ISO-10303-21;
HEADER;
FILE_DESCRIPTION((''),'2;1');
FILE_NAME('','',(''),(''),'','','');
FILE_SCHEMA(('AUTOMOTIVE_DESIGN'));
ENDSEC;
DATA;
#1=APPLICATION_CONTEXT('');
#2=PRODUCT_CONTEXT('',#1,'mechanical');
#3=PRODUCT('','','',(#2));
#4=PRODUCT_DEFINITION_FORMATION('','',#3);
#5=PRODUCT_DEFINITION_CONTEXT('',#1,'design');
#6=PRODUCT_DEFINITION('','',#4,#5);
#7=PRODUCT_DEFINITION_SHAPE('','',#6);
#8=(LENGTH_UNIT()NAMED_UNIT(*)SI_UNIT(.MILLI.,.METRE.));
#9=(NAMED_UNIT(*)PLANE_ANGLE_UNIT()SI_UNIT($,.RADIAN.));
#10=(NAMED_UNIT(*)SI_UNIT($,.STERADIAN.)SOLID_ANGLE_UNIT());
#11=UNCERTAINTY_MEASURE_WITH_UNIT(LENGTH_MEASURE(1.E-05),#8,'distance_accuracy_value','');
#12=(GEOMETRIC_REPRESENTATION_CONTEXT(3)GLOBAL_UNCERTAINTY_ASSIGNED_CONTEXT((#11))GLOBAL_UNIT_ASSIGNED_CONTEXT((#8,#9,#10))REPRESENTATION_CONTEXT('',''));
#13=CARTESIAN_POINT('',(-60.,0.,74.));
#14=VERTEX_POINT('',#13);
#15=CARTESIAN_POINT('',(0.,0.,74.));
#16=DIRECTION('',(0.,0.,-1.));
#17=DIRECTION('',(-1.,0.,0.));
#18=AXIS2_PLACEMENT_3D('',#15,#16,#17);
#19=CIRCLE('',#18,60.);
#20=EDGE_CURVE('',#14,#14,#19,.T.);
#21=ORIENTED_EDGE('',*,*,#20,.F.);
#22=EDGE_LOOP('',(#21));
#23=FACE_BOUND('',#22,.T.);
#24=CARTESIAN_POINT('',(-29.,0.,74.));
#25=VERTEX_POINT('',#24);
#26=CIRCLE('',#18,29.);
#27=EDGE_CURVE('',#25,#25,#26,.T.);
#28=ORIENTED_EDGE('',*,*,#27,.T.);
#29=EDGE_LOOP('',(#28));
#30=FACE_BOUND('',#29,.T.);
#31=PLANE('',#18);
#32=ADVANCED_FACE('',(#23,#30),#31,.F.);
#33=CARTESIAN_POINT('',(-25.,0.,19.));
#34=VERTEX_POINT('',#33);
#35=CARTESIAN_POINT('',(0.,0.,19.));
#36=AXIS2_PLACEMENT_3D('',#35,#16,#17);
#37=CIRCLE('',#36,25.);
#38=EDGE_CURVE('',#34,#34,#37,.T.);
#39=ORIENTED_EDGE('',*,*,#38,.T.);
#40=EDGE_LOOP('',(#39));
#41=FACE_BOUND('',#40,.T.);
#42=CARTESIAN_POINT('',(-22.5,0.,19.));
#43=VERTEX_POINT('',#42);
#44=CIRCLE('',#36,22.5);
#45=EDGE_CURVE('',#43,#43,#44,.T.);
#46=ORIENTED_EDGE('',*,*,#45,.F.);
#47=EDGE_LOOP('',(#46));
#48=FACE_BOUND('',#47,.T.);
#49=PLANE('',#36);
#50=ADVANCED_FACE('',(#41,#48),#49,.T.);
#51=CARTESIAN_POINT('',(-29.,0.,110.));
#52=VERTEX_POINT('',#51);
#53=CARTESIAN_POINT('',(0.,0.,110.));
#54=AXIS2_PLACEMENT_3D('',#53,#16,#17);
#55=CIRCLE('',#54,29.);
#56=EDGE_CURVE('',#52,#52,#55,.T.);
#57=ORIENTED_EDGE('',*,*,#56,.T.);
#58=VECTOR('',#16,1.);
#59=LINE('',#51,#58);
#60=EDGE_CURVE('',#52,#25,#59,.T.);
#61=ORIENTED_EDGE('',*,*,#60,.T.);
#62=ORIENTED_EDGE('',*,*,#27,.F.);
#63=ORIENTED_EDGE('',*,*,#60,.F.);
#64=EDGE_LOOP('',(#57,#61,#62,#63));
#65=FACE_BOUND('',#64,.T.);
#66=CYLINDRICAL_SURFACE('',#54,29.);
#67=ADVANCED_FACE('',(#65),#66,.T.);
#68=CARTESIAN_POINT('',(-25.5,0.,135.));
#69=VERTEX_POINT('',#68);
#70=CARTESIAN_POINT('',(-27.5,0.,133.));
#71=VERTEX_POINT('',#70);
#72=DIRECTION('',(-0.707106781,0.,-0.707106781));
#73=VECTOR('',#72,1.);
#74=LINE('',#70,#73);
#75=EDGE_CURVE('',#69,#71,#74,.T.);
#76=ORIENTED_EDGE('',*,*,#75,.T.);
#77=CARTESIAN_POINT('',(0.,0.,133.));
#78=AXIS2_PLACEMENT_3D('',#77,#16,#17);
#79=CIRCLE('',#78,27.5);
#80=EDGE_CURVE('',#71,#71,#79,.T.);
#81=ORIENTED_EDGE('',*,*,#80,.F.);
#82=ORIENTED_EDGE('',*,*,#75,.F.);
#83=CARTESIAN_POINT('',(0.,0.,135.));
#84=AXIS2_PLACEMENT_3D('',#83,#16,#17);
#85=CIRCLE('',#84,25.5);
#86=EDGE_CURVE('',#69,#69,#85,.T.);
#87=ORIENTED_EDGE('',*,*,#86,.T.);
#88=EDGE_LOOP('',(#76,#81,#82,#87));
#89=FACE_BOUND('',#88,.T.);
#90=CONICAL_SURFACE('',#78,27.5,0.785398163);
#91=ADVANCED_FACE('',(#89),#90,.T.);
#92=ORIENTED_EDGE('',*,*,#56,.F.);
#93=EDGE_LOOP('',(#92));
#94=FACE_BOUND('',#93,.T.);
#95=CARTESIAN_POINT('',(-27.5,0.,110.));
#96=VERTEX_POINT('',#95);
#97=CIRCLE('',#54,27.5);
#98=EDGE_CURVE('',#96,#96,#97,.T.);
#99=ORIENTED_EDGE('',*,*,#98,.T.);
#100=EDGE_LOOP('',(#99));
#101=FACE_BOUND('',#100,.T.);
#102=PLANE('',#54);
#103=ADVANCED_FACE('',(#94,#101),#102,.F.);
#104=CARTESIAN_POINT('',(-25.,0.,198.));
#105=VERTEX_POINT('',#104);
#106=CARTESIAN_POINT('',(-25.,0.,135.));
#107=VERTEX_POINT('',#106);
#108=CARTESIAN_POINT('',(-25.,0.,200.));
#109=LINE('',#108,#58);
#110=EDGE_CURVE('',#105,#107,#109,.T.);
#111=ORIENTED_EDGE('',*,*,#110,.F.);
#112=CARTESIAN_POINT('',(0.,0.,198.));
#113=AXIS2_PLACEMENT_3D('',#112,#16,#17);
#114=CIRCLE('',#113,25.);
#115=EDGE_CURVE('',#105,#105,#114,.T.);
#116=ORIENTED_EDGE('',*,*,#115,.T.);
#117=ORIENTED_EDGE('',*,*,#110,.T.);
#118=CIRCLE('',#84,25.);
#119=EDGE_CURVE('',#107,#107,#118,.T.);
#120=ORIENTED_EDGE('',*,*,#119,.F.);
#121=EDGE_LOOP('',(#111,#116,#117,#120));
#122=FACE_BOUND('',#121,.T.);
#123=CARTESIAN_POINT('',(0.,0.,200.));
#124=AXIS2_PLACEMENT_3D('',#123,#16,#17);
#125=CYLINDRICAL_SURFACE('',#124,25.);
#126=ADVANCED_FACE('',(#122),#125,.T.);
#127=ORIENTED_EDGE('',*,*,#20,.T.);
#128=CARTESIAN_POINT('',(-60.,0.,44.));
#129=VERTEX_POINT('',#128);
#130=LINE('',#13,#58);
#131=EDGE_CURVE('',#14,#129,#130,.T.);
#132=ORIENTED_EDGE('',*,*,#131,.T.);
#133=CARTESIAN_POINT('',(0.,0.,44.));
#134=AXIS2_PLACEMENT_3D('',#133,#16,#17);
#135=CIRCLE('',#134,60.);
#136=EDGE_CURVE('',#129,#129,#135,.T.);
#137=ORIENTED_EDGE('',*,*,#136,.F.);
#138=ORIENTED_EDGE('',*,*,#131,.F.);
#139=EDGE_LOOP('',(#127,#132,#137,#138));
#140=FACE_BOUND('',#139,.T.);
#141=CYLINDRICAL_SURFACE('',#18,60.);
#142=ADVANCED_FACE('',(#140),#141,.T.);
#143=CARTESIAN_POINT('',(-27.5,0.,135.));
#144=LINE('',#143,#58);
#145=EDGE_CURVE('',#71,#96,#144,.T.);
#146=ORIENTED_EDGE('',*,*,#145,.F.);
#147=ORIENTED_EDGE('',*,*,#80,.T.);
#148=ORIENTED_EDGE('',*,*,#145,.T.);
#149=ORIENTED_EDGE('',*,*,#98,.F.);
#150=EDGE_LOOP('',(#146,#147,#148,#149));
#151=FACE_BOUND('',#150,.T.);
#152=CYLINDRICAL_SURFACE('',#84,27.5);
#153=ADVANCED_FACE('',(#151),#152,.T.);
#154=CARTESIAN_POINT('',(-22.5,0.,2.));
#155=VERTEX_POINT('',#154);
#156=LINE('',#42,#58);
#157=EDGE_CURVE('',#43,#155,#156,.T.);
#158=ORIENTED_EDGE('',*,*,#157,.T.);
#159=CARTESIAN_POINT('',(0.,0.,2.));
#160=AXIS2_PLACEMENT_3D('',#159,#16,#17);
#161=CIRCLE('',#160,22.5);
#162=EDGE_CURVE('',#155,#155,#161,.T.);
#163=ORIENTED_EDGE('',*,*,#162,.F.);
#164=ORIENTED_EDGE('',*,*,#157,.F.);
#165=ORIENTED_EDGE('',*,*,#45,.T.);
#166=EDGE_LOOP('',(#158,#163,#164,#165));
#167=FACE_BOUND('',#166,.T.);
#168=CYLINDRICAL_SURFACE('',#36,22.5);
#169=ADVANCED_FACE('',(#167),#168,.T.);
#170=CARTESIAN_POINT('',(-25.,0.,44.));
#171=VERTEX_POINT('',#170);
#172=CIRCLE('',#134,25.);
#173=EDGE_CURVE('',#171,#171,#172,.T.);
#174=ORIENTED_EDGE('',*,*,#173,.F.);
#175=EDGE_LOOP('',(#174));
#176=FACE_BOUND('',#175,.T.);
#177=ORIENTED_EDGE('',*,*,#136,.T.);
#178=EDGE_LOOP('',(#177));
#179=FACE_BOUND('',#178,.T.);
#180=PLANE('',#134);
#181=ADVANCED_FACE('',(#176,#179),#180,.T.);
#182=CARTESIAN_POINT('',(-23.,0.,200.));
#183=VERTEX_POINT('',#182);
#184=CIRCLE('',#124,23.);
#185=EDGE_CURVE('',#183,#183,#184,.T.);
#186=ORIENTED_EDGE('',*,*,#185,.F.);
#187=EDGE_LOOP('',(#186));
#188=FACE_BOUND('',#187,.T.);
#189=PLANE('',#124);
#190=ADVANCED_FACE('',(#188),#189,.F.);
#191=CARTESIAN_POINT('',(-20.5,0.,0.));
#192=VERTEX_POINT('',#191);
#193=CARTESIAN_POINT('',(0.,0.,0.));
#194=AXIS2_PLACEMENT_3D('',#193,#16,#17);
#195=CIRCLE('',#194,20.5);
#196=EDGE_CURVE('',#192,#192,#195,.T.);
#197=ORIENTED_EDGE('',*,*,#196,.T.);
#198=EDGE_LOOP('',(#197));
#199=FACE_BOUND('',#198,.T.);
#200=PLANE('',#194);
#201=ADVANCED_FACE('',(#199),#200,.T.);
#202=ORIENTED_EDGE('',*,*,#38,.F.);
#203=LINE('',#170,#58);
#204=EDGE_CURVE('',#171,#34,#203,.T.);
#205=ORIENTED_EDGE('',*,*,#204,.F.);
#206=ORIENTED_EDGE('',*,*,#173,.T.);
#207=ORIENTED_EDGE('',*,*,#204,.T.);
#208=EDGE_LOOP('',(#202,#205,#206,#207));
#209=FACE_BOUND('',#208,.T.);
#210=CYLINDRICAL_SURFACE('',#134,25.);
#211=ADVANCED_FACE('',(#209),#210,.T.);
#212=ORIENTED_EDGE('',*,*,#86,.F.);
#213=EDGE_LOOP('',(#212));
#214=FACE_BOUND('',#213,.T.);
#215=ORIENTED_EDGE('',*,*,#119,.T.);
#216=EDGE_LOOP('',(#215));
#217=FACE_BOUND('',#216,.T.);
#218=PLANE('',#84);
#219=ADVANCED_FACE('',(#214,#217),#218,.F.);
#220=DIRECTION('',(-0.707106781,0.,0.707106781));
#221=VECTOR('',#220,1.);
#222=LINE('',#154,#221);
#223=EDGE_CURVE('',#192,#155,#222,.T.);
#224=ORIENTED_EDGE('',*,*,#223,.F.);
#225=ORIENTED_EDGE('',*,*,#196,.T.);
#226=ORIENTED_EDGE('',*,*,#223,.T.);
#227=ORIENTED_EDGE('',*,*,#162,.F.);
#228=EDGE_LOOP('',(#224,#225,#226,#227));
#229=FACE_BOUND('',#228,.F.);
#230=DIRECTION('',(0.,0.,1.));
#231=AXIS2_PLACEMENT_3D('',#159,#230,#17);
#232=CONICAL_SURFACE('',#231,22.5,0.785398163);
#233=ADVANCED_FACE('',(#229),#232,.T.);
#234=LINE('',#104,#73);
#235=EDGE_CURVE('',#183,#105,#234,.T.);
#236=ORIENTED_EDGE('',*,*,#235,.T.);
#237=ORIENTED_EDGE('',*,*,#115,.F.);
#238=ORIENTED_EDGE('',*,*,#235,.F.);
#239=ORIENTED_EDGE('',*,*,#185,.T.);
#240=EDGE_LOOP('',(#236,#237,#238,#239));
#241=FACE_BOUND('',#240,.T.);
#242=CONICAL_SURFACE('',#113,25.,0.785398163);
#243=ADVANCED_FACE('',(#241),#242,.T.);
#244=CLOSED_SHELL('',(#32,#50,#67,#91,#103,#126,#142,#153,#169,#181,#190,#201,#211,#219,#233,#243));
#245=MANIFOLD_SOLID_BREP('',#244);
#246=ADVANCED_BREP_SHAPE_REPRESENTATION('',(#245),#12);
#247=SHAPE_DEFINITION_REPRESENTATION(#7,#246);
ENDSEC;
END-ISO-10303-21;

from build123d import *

# Parameters (mm, degrees)
F2_SIZE = 2


with BuildPart() as f1:
    # F0 (on Front) → F1 (revolve)
    with BuildSketch(Plane.XZ):
        Polygon((-22.5, 0), (0, 0), (0, 200), (-25, 200), (-25, 135), (-27.5, 135), (-27.5, 110), (-29, 110), (-29, 74), (-60, 74), (-60, 44), (-25, 44), (-25, 19), (-22.5, 19), align=None)
    revolve(axis=Axis((0, 0, 91.274635), (0, 0, -1)))

    # F2
    f2_edges = [f1.edges().sort_by_distance(p)[0] for p in [
        (22.5, 0, 0),
        (25, 0, 200),
        (27.5, 0, 135),
    ]]
    chamfer(f2_edges, length=F2_SIZE)


solid = f1.part
